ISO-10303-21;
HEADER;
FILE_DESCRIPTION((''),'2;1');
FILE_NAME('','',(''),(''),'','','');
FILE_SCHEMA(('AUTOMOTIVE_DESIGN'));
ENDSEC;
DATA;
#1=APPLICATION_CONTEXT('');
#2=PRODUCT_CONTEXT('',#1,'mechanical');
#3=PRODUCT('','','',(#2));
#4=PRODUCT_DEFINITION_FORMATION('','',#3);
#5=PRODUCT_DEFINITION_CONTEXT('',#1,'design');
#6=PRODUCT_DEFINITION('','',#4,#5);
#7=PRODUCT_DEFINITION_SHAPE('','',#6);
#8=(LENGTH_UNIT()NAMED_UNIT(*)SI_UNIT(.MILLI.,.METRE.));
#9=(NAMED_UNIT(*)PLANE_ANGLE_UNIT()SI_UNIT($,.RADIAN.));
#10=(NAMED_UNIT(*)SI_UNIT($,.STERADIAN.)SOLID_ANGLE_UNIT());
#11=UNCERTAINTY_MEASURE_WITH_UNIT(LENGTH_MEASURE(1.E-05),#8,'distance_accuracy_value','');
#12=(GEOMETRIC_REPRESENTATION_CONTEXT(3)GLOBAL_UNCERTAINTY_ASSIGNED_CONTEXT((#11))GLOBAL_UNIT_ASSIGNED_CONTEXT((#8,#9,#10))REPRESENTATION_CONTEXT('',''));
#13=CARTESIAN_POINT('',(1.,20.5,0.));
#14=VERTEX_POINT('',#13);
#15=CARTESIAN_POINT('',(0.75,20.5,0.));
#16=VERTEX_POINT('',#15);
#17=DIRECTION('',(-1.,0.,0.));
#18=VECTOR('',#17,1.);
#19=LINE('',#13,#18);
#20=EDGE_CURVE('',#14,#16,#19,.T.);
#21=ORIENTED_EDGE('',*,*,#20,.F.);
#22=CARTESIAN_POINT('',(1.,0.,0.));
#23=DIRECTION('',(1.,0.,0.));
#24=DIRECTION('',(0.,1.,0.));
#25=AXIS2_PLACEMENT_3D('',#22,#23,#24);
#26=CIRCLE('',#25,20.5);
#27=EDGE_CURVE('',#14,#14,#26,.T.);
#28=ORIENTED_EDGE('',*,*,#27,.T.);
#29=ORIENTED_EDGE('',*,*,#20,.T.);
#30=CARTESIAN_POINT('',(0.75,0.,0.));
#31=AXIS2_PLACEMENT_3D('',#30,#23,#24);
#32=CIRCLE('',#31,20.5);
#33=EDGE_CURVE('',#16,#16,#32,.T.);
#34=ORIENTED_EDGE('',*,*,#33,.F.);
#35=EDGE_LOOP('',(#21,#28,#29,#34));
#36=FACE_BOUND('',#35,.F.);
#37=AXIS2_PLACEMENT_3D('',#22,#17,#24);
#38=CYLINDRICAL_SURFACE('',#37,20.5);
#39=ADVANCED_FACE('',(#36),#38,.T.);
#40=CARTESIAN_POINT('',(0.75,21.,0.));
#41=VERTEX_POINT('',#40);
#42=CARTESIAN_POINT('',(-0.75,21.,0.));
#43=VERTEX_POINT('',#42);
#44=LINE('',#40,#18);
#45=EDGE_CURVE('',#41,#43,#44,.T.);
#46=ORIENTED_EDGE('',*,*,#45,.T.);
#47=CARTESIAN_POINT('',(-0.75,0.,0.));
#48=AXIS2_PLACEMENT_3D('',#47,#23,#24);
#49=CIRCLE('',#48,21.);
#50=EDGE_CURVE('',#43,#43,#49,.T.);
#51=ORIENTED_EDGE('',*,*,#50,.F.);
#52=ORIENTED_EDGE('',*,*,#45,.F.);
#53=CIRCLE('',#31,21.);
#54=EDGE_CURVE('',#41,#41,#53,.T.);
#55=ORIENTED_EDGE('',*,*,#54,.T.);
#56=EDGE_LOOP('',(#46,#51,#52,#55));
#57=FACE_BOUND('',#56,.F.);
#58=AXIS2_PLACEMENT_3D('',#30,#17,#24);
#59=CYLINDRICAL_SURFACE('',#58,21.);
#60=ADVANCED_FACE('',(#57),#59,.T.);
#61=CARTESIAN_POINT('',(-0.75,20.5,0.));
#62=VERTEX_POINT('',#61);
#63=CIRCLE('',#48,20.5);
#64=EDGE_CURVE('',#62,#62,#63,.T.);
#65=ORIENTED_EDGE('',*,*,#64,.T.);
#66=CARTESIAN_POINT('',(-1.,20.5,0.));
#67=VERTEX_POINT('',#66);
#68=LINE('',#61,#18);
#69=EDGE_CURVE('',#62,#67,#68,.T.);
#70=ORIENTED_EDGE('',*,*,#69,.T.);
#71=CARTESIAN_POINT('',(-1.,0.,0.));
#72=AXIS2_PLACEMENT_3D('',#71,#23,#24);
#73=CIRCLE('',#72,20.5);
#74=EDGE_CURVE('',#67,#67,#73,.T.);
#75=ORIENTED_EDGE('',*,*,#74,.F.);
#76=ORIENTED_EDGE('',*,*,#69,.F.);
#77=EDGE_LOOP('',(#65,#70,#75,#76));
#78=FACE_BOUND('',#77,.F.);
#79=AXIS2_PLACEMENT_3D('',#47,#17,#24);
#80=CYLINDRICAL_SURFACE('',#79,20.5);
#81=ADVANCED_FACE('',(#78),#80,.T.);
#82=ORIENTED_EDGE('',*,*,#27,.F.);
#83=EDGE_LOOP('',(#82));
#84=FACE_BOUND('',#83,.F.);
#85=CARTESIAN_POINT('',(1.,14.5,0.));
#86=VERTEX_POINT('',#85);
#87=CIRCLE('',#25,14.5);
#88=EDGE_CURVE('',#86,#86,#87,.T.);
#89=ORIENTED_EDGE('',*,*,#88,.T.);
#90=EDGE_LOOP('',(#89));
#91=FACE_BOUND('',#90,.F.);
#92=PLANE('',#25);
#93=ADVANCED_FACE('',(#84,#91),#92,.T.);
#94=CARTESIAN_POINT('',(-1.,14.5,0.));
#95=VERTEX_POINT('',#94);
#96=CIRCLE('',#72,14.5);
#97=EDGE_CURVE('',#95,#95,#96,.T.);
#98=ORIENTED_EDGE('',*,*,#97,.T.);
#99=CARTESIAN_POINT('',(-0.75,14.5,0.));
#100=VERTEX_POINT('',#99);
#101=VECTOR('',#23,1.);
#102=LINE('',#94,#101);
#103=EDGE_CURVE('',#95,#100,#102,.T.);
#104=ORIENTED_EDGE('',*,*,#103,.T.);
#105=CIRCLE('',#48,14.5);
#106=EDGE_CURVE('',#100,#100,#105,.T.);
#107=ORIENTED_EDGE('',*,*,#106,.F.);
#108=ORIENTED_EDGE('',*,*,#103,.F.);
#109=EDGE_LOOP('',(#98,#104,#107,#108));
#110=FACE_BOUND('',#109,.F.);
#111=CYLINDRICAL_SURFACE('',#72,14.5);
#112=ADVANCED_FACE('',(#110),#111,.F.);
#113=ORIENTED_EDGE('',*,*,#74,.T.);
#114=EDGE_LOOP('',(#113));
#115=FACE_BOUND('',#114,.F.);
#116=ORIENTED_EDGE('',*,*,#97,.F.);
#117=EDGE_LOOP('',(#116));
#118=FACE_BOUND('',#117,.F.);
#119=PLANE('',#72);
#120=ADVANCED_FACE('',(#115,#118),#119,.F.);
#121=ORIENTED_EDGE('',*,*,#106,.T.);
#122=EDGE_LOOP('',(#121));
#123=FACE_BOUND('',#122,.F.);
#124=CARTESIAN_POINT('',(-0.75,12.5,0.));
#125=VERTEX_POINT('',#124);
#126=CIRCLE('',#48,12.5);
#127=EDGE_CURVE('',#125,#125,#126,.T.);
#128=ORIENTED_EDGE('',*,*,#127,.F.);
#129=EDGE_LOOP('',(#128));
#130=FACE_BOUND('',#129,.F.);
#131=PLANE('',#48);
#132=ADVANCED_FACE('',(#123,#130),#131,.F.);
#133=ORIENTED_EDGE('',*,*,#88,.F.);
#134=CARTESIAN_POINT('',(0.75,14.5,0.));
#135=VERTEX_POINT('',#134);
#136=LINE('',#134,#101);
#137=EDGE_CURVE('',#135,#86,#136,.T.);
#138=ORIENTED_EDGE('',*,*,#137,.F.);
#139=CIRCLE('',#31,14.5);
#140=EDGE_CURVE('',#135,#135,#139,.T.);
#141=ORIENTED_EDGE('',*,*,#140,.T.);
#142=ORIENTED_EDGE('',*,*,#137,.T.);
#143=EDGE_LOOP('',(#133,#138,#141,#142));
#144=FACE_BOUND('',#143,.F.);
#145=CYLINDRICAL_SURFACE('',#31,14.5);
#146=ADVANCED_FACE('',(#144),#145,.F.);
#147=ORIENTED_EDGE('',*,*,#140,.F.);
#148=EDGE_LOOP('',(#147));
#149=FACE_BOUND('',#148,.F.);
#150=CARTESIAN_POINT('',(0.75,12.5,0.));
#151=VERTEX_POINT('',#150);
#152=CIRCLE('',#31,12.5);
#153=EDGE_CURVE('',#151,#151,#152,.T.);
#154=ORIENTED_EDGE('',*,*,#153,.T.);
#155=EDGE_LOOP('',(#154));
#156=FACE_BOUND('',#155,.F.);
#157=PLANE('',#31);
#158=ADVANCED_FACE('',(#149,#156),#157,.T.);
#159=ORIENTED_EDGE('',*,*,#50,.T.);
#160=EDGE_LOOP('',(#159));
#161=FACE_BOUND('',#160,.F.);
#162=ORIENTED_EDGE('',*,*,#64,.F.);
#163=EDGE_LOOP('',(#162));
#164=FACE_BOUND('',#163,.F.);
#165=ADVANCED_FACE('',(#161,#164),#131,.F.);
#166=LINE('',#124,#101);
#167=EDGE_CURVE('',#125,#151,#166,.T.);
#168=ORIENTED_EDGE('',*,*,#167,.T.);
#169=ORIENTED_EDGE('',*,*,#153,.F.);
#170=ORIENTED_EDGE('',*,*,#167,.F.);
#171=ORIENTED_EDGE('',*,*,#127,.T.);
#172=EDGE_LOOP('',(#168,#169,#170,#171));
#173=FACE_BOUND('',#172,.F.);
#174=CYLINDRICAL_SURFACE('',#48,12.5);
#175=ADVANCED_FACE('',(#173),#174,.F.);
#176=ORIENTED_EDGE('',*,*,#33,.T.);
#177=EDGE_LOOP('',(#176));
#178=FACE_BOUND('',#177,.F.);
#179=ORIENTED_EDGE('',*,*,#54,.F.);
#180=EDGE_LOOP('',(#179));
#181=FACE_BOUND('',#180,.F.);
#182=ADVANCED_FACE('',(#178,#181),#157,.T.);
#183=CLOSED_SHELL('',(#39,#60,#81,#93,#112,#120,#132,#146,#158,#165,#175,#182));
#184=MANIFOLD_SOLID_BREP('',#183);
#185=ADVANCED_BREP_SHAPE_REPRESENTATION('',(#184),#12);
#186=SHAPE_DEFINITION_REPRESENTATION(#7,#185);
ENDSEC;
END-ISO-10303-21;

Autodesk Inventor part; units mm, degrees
sketch "Sketch_1" plane through (0, 0, 0) normal (0, 0, 1) x (1, 0, 0)
  line L0 (50, 0) -> (-50, 0)
  line L1 (-1, 20.5) -> (-1, 14.5)
  line L2 (-1, 14.5) -> (-0.75, 14.5)
  line L3 (-0.75, 14.5) -> (-0.75, 12.5)
  line L4 (-0.75, 12.5) -> (0.75, 12.5)
  line L5 (0.75, 12.5) -> (0.75, 14.5)
  line L6 (0.75, 14.5) -> (1, 14.5)
  line L7 (1, 14.5) -> (1, 20.5)
  line L8 (1, 20.5) -> (0.75, 20.5)
  line L9 (0.75, 20.5) -> (0.75, 21)
  line L10 (0.75, 21) -> (-0.75, 21)
  line L11 (-0.75, 21) -> (-0.75, 20.5)
  line L12 (-0.75, 20.5) -> (-1, 20.5)
revolve "Revolution1" add sketch "Sketch_1" angle 360 about axis through (50, 0, 0) along (1, 0, 0)
ref_plane "core_to_washer_XY" through (0, 0, 0) normal (1, 0, 0) x (0, 0, -1)
ref_plane "core_to_washer_YZ" through (0, 0, 0) normal (0, 0, -1) x (0, 1, 0)
ref_plane "core_to_washer_ZX" through (0, 0, 0) normal (0, 1, 0) x (1, 0, 0)
ref_plane "core_to_washer1_XY" through (0, 0, 0) normal (-1, 0, 0) x (0, 0, -1)
ref_plane "core_to_washer1_YZ" through (0, 0, 0) normal (0, 0, -1) x (0, -1, 0)
ref_plane "core_to_washer1_ZX" through (0, 0, 0) normal (0, -1, 0) x (-1, 0, 0)
properties part number "core_BA2542"
